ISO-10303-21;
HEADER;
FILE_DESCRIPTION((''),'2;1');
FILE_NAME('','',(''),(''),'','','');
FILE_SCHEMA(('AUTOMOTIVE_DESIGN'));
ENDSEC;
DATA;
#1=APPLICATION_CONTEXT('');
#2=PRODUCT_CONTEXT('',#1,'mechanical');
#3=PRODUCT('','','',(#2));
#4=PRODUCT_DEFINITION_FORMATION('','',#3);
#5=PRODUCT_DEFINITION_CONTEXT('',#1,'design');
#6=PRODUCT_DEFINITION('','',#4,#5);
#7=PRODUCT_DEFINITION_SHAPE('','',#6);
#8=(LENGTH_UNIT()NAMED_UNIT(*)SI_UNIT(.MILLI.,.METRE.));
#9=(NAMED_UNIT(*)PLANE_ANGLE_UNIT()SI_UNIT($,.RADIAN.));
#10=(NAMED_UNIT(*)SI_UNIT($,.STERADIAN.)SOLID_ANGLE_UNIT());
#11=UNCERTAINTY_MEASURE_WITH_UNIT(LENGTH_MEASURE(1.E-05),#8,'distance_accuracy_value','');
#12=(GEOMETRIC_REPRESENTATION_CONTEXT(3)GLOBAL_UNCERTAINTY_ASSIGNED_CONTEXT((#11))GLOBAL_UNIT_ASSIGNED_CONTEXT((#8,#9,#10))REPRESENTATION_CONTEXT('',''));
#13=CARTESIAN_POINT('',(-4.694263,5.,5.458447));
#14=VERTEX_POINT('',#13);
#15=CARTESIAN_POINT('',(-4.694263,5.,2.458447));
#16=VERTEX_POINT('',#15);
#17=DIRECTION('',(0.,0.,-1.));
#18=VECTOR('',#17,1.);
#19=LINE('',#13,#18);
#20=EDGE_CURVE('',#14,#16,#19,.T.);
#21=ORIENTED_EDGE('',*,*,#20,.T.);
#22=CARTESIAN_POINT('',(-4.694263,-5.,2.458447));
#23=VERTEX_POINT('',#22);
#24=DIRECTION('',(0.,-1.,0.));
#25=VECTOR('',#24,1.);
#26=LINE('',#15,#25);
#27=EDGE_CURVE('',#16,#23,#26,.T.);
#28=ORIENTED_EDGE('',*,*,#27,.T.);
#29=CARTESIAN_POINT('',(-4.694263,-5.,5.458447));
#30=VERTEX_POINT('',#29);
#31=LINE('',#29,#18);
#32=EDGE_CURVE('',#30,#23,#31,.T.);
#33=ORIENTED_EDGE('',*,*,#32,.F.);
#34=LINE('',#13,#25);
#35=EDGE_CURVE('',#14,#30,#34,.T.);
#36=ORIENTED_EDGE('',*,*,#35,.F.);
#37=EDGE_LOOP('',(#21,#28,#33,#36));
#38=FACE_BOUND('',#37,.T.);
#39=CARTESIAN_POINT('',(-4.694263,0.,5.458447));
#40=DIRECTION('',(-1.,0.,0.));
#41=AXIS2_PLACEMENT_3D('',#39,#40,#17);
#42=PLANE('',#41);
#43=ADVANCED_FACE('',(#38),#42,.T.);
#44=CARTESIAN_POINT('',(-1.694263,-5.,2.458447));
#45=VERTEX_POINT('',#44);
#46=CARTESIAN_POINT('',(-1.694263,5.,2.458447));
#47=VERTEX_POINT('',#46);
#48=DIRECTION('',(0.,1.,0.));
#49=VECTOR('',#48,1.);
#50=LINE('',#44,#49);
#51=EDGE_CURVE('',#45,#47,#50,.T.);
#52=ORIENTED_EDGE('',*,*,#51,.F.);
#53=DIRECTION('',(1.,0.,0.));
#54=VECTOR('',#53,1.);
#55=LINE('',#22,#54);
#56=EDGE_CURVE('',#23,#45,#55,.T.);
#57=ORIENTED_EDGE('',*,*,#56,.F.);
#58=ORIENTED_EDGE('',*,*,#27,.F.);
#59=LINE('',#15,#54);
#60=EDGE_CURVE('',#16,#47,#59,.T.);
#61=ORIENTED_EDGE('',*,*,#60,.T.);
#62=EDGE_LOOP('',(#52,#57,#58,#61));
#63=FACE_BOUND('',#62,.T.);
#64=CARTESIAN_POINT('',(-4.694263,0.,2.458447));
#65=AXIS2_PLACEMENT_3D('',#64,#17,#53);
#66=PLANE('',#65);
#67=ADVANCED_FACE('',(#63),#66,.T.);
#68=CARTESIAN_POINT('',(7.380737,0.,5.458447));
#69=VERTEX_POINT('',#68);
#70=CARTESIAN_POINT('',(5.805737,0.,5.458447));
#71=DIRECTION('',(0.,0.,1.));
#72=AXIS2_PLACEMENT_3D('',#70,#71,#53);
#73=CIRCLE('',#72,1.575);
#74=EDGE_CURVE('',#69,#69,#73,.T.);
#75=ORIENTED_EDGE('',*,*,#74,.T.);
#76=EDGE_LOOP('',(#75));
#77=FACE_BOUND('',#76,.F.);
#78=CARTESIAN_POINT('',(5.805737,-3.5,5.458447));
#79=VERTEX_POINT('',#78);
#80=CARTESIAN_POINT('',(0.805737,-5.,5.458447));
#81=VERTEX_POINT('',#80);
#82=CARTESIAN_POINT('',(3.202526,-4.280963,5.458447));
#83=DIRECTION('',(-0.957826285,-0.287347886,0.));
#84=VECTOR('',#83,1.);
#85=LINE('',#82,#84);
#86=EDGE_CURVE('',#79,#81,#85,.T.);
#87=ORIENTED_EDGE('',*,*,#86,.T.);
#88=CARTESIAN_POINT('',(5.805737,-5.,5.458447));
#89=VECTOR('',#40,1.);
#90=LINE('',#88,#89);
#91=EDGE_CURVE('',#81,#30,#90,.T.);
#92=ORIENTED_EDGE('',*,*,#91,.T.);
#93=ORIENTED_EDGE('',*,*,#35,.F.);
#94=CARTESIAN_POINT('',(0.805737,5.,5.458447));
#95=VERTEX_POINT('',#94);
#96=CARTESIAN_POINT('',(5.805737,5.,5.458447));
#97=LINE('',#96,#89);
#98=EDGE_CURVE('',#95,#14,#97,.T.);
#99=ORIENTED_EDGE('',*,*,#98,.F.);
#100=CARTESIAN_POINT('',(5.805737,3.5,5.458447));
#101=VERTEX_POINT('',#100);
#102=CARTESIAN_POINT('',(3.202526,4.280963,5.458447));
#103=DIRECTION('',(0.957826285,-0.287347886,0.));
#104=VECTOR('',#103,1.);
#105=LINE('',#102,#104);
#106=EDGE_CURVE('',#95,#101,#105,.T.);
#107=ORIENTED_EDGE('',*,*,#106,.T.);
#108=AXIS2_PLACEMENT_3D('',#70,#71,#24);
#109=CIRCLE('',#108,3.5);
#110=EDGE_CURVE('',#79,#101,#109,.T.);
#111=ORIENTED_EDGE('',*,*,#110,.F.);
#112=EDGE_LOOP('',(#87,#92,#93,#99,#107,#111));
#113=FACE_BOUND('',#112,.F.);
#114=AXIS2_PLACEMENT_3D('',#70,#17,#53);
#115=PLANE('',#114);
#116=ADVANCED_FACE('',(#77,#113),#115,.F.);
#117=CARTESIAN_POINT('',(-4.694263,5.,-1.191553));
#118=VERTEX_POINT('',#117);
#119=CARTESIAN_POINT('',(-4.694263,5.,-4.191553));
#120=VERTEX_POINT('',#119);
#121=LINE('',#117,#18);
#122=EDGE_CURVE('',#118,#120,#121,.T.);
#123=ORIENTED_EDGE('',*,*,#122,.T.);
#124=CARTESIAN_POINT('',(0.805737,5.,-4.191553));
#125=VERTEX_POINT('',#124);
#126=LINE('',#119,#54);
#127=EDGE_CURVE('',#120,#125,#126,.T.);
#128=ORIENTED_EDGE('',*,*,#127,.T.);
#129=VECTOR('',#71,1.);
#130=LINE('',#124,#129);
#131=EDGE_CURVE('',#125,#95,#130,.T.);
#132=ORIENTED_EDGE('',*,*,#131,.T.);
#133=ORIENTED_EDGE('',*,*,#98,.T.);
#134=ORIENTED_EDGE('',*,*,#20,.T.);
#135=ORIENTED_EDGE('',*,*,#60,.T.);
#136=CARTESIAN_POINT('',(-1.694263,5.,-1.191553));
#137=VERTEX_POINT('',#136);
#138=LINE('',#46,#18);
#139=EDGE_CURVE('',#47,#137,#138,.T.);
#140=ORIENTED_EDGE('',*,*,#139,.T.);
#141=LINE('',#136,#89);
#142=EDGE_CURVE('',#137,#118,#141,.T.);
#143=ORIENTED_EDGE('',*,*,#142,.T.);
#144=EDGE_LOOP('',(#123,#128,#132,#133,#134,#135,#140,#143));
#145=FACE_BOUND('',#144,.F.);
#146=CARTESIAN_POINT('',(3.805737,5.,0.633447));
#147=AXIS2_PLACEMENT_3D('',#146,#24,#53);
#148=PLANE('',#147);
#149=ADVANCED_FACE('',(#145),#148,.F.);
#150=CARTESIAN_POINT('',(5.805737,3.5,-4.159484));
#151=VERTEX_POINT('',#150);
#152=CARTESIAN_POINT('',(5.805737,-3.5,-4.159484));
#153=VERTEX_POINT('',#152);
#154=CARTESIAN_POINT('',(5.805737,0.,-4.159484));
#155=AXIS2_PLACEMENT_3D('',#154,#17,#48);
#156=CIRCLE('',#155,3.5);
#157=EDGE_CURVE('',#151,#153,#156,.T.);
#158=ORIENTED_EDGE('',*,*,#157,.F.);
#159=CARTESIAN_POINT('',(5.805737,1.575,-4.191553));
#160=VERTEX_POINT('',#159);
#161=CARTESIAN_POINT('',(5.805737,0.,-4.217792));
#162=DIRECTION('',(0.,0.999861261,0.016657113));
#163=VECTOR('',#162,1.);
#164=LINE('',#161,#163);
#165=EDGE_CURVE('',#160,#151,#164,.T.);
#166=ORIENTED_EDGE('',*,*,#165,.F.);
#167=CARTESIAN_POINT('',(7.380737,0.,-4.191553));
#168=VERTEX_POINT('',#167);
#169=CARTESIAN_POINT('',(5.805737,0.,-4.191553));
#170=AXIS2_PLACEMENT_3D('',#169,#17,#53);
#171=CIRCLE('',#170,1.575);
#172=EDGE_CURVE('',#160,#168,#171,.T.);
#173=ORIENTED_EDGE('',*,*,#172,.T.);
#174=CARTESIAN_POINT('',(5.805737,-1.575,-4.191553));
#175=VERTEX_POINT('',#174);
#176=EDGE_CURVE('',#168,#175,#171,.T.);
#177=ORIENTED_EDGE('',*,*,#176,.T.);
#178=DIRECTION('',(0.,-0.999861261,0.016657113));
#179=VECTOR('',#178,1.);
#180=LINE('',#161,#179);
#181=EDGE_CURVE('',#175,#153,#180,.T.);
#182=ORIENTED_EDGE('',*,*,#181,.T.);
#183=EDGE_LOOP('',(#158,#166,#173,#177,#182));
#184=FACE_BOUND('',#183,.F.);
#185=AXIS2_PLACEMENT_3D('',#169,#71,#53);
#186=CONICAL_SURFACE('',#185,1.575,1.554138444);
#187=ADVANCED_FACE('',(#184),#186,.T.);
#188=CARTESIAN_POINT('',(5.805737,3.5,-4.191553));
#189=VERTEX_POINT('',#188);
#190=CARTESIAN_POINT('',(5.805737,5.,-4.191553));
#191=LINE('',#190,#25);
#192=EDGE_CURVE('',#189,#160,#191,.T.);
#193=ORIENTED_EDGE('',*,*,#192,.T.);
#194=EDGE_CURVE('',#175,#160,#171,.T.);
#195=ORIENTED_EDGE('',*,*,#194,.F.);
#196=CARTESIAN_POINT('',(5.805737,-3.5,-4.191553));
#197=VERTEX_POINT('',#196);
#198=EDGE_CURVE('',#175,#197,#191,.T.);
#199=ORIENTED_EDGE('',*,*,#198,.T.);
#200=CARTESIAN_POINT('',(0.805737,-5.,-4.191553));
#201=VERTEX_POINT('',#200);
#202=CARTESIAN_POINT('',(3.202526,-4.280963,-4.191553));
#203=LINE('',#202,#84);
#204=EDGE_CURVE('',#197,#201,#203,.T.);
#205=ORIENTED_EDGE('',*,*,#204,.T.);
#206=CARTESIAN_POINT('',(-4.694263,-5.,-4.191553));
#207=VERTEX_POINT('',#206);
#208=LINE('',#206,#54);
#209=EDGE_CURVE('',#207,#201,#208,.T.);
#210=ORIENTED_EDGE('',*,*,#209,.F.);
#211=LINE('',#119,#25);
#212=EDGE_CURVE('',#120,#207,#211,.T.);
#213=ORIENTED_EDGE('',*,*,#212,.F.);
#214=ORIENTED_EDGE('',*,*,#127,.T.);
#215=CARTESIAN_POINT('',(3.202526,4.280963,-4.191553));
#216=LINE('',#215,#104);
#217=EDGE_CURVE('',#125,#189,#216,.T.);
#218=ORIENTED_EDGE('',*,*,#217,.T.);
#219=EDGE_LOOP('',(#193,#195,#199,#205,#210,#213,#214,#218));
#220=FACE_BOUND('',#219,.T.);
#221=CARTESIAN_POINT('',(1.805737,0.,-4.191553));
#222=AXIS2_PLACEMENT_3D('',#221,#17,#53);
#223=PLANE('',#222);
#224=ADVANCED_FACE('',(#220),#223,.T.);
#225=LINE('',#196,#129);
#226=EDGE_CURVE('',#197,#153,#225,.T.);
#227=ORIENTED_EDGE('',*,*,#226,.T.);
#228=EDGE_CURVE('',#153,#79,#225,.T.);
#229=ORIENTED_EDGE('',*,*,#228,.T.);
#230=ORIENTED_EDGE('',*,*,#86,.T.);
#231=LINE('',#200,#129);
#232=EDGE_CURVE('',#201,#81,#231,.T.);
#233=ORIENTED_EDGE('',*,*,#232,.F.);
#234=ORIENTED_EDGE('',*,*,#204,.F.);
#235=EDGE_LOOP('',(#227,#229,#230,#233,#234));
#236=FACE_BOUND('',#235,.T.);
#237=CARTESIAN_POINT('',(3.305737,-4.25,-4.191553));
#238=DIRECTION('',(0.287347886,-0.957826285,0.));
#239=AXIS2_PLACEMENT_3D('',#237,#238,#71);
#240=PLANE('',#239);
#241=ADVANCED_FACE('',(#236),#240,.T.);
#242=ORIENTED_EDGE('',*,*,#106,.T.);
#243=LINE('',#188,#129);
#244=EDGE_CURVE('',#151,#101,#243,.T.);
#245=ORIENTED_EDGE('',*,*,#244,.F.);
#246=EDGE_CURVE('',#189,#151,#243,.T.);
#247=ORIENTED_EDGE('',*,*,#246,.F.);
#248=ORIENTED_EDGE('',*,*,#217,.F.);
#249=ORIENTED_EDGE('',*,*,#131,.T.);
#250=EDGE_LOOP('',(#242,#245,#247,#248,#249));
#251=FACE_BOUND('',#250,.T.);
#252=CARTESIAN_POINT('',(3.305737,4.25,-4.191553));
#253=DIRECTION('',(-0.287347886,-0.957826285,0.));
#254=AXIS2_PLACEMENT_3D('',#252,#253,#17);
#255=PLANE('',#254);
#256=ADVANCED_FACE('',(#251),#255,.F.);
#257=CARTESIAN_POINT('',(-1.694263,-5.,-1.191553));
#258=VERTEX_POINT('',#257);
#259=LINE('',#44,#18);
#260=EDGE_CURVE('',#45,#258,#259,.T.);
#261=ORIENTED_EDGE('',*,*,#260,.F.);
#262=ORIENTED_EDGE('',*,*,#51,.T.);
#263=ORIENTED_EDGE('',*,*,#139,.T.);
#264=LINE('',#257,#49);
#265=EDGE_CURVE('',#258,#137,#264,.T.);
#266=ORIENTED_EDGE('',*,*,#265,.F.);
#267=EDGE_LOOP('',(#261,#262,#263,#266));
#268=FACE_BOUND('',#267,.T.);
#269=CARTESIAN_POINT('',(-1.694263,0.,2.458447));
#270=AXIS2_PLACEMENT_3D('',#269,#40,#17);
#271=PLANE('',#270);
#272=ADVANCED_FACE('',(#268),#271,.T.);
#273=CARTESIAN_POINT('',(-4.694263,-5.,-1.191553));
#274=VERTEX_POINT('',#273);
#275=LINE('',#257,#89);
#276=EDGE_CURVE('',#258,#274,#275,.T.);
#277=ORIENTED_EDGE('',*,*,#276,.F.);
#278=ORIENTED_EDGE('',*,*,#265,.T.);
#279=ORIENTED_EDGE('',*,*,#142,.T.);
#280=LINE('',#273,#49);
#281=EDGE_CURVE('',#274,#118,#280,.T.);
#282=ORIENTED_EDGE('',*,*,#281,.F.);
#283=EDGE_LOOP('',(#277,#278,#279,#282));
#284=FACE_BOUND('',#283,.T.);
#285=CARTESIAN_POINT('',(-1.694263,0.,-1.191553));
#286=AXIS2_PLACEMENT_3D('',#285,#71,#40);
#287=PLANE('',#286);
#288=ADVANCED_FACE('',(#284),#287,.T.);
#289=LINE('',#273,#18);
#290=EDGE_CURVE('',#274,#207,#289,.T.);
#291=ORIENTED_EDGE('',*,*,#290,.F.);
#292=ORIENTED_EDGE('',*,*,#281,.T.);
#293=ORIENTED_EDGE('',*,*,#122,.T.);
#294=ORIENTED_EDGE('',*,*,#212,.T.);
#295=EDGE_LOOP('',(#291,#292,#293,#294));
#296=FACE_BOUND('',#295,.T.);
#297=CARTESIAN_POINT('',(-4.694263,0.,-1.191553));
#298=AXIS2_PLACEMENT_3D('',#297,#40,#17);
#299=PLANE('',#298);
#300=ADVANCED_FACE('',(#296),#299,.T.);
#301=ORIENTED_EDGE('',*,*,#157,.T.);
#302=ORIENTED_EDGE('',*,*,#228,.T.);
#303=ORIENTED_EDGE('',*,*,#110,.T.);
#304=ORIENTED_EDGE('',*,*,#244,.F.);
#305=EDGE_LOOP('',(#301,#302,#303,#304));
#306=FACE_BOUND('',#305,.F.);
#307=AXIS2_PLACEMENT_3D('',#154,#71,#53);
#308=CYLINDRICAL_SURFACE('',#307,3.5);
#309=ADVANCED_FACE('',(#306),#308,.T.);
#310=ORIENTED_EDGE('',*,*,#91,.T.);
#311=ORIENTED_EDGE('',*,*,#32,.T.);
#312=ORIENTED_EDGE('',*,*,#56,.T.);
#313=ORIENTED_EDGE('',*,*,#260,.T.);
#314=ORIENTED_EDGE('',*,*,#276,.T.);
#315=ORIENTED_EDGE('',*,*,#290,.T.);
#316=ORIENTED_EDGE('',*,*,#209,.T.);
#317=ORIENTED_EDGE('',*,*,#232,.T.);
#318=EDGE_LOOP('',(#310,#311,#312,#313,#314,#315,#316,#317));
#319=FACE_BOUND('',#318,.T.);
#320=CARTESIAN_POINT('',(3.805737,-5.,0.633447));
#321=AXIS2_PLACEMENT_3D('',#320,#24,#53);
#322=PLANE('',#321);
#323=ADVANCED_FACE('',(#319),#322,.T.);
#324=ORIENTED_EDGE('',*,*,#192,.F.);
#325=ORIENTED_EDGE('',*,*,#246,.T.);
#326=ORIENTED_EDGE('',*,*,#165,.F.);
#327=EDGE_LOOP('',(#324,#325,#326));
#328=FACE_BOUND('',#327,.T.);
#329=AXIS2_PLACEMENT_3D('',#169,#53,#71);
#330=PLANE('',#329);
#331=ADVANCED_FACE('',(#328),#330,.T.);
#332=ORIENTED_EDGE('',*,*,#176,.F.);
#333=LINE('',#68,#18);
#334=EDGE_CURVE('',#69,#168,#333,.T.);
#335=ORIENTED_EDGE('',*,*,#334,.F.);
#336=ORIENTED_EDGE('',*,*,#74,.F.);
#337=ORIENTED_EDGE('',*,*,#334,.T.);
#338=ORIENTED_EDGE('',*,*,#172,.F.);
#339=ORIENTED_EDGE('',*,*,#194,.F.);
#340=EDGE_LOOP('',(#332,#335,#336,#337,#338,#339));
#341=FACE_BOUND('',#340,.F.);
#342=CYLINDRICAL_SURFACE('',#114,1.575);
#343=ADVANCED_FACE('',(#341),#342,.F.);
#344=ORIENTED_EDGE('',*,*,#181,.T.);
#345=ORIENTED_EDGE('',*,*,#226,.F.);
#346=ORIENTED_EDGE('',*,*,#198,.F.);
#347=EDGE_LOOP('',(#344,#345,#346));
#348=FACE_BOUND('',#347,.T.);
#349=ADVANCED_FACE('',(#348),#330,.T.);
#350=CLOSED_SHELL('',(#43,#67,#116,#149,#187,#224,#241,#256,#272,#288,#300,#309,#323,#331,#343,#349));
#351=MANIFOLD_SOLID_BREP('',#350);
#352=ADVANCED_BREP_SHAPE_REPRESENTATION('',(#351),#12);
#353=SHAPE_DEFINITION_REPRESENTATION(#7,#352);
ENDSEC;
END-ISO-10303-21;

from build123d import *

# Parameters (mm, degrees)
F1_DEPTH = 5
F0_W     = 4
F0_H     = 9.65
F2_DEPTH = 5
F3_SIZE2 = 5
F3_SIZE  = 1.5
F4_SIZE2 = 1.5
F4_SIZE  = 5
F0_W_2   = 1.575


with BuildPart() as f1:
    # F0 (on Front) → F1 (new body, symmetric)
    with BuildSketch(Plane.XZ):
        Polygon((-4.6942626456, -1.1915529846), (-4.6942626456, -4.1915529846), (1.8057373544, -4.1915529846), (1.8057373544, 5.4584470154), (-4.6942626456, 5.4584470154), (-4.6942626456, 2.4584470154), (-1.6942626456, 2.4584470154), (-1.6942626456, -1.1915529846), align=None)
    extrude(amount=F1_DEPTH, both=True)

    # F0 (on Front) → F2 (join, symmetric)
    with BuildSketch(Plane.XZ):
        with Locations((3.8057373544, 0.6334470154)):
            Rectangle(F0_W, F0_H)
    extrude(amount=F2_DEPTH, both=True)

    # F3
    f3_edges = [f1.edges().sort_by_distance(p)[0] for p in [
        (5.805737, -5, 0.633447),
    ]]
    f3_side = f1.faces().sort_by_distance((5.805737, 0, 0.633447))[0]
    chamfer(f3_edges, length=F3_SIZE, length2=F3_SIZE2, reference=f3_side)

    # F4
    f4_edges = [f1.edges().sort_by_distance(p)[0] for p in [
        (5.805737, 5, 0.633447),
    ]]
    f4_side = f1.faces().sort_by_distance((1.010094, 5, 0.633447))[0]
    chamfer(f4_edges, length=F4_SIZE, length2=F4_SIZE2, reference=f4_side)

    # F0 (on Front) → F5 (revolve, cut)
    with BuildSketch(Plane.XZ):
        with Locations((6.5932373544, 0.6334470154)):
            Rectangle(F0_W_2, F0_H)
    revolve(axis=Axis((5.8057373544, 0, 0.6334470154), (0, 0, -1)), mode=Mode.SUBTRACT)

    # F0 (on Front) → F6 (revolve)
    with BuildSketch(Plane.XZ):
        Polygon((7.3807373544, 5.4584470154), (7.3807373544, -4.1915529846), (9.3057373544, -4.159483593), (9.3057373544, 5.4584470154), align=None)
    revolve(axis=Axis((5.8057373544, 0, 0.6334470154), (0, 0, -1)))


solid = f1.part
